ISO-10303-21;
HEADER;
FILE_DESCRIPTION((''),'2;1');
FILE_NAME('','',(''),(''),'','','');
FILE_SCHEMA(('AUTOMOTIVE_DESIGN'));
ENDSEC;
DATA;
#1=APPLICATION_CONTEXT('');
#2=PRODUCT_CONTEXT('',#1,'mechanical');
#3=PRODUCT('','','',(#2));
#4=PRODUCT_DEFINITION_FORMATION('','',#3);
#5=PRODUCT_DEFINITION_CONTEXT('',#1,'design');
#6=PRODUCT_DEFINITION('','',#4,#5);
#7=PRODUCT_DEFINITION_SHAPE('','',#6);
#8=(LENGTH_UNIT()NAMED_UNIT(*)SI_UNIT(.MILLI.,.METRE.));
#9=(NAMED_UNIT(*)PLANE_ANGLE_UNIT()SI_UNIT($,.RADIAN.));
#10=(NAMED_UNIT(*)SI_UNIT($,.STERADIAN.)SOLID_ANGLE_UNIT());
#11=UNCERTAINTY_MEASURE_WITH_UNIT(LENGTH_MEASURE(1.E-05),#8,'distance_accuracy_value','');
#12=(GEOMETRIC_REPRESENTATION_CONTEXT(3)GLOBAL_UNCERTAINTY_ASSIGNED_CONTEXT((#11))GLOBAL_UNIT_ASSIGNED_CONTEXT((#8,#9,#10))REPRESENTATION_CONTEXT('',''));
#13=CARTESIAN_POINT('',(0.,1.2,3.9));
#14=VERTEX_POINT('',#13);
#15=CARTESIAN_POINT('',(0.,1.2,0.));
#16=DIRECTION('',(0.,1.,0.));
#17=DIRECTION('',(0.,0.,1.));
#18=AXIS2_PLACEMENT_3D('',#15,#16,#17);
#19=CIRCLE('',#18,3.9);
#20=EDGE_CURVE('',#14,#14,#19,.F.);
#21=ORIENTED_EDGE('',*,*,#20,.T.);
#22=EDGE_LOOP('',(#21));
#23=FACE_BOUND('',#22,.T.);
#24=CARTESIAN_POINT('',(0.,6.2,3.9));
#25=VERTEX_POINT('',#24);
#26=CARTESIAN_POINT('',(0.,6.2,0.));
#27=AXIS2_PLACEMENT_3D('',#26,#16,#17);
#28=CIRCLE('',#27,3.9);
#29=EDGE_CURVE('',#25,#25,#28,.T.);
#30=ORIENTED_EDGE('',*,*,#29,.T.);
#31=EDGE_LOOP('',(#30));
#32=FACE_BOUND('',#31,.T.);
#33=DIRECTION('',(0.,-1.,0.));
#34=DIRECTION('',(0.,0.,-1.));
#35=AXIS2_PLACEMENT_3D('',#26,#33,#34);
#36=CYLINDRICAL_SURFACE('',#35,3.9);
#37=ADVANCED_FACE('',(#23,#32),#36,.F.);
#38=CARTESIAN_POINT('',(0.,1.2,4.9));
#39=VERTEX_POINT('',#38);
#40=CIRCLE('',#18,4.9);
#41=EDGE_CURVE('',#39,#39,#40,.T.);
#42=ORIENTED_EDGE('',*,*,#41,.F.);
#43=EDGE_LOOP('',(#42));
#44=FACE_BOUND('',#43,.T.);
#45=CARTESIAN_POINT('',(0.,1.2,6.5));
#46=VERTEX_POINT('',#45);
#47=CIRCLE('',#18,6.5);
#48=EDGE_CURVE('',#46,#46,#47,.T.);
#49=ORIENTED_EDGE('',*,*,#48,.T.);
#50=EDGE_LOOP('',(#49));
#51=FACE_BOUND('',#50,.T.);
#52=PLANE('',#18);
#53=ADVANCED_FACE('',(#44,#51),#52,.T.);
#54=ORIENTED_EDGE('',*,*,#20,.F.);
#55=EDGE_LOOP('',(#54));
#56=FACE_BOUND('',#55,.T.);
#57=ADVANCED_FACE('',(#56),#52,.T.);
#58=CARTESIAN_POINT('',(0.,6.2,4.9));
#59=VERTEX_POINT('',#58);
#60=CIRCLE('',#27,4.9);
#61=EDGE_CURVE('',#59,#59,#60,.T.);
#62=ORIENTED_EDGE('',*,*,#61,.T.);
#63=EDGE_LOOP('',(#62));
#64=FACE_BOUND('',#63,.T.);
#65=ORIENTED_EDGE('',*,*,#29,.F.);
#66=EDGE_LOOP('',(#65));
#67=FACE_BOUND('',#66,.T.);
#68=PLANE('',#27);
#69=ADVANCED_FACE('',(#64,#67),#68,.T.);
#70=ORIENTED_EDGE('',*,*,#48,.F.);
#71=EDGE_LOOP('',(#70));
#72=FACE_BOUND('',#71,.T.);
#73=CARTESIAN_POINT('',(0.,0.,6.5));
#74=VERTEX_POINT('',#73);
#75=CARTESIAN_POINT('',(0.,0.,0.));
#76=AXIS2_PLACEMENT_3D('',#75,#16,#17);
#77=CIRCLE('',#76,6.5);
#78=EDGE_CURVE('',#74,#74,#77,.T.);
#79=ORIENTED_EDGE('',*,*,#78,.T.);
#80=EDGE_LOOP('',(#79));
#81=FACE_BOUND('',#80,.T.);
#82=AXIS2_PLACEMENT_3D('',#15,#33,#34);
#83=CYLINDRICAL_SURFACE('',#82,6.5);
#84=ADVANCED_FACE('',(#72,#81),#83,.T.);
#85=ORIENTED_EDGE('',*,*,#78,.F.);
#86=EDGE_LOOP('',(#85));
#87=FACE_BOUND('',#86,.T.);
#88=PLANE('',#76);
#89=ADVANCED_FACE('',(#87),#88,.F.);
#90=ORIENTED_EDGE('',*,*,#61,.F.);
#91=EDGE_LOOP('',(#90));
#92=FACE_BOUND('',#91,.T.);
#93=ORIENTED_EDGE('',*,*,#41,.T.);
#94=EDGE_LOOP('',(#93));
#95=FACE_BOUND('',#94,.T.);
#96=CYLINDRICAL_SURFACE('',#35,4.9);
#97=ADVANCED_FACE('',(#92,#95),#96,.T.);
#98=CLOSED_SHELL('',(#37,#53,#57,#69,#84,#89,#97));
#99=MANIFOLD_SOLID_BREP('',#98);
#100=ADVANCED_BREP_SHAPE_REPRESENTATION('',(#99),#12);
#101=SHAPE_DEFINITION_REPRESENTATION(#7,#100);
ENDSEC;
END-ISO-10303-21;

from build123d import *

# Parameters (mm, degrees)
SKETCH1_R           = 6.5
BOSS_EXTRUDE1_DEPTH = 1.2
SKETCH2_R           = 4.9
SKETCH2_R_2         = 3.9
BOSS_EXTRUDE2_DEPTH = 5


with BuildPart() as part:
    # Sketch1 → Boss-Extrude1 (new body)
    with BuildSketch(Plane(origin=(0, 0, 0), x_dir=(1, 0, 0), z_dir=(0, 1, 0))):
        with Locations(Location((0, 0, 0), (0, 0, 270))):
            Circle(SKETCH1_R)
    extrude(amount=BOSS_EXTRUDE1_DEPTH)

    # Sketch2 → Boss-Extrude2 (add)
    with BuildSketch(Plane(origin=(0, 1.2, 0), x_dir=(1, 0, 0), z_dir=(0, 1, 0))):
        with Locations(Location((0, 0, 0), (0, 0, 270))):
            Circle(SKETCH2_R)
        with Locations(Location((0, 0, 0), (0, 0, 270))):
            Circle(SKETCH2_R_2, mode=Mode.SUBTRACT)
    extrude(amount=BOSS_EXTRUDE2_DEPTH)


solid = part.part
